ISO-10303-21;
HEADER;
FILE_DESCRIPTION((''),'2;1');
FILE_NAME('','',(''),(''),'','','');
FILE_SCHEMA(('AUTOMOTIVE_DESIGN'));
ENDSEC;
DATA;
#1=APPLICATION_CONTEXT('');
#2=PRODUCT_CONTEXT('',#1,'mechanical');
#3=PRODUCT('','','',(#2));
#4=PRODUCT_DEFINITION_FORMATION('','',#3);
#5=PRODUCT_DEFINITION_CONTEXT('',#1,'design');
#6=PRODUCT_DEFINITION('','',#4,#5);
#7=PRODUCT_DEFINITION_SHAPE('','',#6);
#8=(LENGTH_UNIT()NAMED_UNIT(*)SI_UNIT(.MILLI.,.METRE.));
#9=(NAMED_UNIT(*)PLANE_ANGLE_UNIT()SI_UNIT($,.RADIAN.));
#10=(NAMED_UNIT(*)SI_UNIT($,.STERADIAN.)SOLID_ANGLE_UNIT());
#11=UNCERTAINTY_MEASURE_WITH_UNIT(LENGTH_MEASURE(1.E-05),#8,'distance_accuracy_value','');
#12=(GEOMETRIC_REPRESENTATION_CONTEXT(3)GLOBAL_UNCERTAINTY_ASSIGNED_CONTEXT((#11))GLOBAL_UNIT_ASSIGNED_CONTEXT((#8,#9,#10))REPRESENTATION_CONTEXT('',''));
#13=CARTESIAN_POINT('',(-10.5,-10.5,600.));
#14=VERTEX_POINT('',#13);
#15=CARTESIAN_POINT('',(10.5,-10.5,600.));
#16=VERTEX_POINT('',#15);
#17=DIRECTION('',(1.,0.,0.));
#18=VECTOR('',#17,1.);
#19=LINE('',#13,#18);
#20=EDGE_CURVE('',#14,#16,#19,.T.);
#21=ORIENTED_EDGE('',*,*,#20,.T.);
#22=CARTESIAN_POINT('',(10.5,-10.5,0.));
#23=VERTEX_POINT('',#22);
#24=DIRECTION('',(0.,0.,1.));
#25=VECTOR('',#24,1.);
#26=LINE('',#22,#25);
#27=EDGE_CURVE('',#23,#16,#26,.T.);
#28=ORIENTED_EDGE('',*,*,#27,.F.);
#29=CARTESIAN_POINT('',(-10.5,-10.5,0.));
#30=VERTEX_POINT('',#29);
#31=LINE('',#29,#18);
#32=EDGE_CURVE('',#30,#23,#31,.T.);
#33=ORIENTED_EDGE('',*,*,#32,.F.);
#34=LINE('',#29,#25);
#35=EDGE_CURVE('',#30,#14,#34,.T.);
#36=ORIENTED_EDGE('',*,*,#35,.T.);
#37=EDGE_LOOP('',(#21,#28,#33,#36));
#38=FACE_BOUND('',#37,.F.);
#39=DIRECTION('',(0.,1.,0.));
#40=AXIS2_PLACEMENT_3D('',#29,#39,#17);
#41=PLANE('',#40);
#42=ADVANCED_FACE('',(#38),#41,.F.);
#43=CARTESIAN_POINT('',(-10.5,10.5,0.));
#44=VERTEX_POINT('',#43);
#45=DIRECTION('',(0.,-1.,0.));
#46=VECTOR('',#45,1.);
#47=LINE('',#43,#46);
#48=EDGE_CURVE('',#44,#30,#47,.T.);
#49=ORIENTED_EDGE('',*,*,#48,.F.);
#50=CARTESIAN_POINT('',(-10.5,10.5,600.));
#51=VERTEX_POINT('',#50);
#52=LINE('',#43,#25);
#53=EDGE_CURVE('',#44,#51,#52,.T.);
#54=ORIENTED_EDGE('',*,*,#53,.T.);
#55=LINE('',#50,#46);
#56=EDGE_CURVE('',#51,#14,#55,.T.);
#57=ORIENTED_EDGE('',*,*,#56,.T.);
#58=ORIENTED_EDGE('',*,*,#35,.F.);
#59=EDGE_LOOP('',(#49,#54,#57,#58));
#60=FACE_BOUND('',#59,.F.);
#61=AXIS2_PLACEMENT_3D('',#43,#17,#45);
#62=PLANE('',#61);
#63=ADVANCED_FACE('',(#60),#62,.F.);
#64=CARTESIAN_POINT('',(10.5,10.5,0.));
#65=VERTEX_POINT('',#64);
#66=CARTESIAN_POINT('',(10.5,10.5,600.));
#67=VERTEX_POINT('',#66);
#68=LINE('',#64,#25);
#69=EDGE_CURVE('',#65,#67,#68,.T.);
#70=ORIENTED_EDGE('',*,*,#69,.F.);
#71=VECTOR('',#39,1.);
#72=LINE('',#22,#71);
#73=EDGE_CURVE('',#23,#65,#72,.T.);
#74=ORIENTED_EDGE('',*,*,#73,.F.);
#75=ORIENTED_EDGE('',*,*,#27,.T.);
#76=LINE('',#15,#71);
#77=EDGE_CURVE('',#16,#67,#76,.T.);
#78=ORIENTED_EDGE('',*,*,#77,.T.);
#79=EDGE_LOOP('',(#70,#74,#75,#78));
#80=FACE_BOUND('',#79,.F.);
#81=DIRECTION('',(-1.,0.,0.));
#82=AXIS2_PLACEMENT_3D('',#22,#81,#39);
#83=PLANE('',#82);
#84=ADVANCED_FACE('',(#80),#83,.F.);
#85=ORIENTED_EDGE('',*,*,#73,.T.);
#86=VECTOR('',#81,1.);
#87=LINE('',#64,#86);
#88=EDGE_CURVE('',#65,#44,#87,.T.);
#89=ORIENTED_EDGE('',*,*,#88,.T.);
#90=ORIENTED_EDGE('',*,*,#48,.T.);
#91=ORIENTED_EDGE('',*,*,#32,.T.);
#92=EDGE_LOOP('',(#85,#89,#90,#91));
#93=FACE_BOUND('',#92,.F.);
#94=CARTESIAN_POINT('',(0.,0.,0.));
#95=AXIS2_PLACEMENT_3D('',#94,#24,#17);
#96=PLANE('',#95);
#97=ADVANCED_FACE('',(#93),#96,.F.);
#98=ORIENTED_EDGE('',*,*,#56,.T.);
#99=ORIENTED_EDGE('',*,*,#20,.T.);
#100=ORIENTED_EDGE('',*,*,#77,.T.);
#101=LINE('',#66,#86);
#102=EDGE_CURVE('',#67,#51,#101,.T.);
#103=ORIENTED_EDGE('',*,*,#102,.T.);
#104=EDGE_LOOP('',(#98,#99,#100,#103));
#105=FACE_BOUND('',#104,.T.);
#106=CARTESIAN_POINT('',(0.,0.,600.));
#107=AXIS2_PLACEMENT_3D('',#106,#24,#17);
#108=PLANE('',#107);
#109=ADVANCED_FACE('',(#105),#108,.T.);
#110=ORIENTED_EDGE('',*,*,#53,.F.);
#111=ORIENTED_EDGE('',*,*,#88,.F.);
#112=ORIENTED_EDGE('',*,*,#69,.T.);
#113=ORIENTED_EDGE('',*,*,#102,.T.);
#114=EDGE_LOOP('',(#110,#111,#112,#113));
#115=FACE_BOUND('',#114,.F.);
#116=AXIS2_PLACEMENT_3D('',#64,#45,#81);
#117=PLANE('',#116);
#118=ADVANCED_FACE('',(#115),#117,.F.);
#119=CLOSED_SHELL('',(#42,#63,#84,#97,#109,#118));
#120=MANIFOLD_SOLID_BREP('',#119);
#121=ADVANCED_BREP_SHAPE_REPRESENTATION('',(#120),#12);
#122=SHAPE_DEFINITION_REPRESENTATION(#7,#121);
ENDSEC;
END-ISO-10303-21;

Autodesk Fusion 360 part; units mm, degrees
sketch "Sketch1" plane through (0, 0, 0) normal (0, 0, 1) x (1, 0, 0)
  line L0 (-10.5, -10.5) -> (10.5, -10.5)
  line L1 (10.5, -10.5) -> (10.5, 10.5)
  line L2 (10.5, 10.5) -> (-10.5, 10.5)
  line L3 (-10.5, 10.5) -> (-10.5, -10.5)
extrude "Extrude1" add sketch "Sketch1" along normal blind 600
sketch "Sketch2" plane through (0, 0, 0) normal (0, 1, 0) x (1, 0, 0)
  circle A0 centre (0, 10.28) radius 6.25
sketch "Sketch3" plane through (0, 0, 0) normal (0, 1, 0) x (1, 0, 0)
  circle A0 centre (0, 589.72) radius 6.25
sketch "Sketch4" plane through (0, 0, 0) normal (0, 1, 0) x (1, 0, 0)
  circle A0 centre (0, 10.28) radius 6.25
sketch "Sketch5" plane through (0, 0, 0) normal (0, 1, 0) x (1, 0, 0)
  circle A0 centre (0, 589.72) radius 6.25
sketch "Sketch6" plane through (0, 0, 0) normal (1, 0, 0) x (0, 0, -1)
  circle A0 centre (0, 10.28) radius 6.25
sketch "Sketch7" plane through (0, 0, 0) normal (1, 0, 0) x (0, 0, -1)
  circle A0 centre (0, 589.72) radius 6.25
